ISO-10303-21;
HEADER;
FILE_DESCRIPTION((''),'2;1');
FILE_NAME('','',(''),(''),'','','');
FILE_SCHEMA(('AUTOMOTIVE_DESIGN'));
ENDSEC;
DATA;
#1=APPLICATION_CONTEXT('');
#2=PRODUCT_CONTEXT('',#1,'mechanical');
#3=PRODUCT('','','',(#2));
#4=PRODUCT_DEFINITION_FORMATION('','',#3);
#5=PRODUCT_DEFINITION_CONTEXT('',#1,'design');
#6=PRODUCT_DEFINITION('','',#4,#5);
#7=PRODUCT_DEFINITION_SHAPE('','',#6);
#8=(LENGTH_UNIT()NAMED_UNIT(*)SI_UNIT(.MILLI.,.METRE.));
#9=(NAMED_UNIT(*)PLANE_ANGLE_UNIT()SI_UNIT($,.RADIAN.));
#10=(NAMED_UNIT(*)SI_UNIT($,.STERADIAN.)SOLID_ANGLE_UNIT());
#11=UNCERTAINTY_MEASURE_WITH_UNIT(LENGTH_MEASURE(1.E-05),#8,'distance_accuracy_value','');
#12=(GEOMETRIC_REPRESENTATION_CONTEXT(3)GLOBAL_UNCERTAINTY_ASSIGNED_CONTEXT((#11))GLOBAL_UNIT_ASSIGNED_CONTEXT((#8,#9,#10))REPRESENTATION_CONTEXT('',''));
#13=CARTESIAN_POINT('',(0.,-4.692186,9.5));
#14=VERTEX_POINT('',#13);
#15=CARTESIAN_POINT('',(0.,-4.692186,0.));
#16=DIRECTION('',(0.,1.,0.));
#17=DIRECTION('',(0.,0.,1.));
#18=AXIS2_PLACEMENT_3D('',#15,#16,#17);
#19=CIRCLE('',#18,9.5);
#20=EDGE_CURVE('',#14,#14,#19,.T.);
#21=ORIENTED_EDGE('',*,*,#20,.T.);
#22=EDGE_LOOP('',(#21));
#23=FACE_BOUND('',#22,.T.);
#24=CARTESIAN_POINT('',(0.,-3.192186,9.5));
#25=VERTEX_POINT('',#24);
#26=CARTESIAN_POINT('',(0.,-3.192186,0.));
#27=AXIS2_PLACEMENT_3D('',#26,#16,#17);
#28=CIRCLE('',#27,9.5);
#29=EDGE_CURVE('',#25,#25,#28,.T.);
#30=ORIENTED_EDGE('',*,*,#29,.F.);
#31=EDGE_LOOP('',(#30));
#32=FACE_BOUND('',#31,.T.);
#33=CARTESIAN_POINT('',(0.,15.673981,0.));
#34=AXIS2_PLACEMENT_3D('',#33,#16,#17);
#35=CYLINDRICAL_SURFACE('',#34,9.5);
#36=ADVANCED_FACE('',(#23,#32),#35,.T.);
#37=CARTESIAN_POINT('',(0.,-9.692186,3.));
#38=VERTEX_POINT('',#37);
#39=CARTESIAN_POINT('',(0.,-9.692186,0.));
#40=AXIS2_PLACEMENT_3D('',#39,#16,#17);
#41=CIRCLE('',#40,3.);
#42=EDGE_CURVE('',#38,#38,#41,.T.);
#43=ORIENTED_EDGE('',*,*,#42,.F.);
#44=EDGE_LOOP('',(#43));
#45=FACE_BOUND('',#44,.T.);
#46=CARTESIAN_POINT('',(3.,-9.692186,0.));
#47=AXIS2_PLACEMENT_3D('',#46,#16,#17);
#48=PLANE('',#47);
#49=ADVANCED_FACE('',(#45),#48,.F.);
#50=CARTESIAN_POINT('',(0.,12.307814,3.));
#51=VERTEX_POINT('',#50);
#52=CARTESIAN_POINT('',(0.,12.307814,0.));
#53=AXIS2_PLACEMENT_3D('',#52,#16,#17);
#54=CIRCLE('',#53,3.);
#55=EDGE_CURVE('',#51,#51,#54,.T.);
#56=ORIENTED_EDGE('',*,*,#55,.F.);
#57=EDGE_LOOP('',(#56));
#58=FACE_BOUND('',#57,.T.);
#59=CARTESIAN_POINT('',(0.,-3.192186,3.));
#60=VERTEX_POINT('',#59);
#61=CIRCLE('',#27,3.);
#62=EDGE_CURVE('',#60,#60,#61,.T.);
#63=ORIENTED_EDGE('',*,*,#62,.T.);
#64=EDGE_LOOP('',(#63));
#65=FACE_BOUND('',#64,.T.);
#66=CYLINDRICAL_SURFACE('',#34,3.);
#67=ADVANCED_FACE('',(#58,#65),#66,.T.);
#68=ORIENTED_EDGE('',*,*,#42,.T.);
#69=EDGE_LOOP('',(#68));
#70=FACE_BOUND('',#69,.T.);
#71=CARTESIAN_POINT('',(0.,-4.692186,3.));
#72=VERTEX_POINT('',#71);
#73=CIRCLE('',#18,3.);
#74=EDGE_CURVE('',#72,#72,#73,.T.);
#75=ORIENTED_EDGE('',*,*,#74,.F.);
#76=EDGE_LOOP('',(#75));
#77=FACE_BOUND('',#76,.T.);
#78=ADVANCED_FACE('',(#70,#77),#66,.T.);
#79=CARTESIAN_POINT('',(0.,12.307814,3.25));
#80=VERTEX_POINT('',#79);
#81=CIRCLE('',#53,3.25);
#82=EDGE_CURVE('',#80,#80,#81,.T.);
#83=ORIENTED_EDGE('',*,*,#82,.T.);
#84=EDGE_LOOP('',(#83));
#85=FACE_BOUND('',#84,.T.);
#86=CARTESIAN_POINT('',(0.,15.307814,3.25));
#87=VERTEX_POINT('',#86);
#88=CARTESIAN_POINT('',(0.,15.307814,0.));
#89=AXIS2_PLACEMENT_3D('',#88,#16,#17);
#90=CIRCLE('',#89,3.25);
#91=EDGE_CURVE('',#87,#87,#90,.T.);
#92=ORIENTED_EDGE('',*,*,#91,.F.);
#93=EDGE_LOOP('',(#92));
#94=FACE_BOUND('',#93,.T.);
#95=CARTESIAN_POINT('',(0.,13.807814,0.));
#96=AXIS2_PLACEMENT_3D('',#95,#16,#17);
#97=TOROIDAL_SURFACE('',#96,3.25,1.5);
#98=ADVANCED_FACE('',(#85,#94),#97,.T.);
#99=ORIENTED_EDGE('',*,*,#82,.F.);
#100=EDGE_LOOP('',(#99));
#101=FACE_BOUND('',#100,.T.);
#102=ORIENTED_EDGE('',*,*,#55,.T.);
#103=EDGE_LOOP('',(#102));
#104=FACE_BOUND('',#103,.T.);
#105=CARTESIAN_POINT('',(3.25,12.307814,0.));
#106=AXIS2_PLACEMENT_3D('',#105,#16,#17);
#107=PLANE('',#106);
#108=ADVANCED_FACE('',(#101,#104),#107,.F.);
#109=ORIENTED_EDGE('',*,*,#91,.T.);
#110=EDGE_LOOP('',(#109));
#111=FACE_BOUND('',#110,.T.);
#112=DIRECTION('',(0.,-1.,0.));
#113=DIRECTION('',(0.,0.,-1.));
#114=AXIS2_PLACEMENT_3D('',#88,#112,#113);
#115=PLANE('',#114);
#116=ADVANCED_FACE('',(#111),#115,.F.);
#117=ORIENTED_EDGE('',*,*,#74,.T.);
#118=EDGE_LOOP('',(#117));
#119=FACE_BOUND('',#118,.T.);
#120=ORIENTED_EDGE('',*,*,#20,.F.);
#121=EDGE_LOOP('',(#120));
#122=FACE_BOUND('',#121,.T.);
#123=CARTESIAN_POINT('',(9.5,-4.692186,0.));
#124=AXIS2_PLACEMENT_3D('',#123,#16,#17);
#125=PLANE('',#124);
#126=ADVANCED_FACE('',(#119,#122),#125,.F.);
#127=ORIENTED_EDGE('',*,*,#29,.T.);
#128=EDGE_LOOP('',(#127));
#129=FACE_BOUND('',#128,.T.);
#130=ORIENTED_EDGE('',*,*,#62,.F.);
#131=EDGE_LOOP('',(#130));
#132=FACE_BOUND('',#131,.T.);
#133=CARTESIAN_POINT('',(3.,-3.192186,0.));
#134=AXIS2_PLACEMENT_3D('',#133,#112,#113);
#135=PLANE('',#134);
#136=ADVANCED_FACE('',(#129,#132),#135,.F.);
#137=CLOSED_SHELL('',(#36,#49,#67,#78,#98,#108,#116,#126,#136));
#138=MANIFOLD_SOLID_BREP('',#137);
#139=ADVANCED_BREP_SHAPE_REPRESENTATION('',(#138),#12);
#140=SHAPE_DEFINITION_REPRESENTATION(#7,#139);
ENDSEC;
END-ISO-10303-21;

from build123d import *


with BuildPart() as part:
    # Эскиз1 → Повернуть2 (revolve)
    with BuildSketch(Plane.XY, mode=Mode.PRIVATE) as revolve_2_sk:
        with BuildLine():
            Line((3, 12.30781391), (3, -3.19218609))
            Line((3, -3.19218609), (9.5, -3.19218609))
            Line((9.5, -3.19218609), (9.5, -4.69218609))
            Line((9.5, -4.69218609), (3, -4.69218609))
            Line((3, -4.69218609), (3, -9.69218609))
            Line((3, -9.69218609), (0, -9.69218609))
            Line((0, -9.69218609), (0, 15.30781391))
            Line((0, 15.30781391), (3.25, 15.30781391))
            ThreePointArc((3.25, 15.30781391), (4.75, 13.80781391), (3.25, 12.30781391))
            Line((3.25, 12.30781391), (3, 12.30781391))
        make_face()
    revolve(revolve_2_sk.sketch.rotate(Axis((0, 15.673981191, 0), (0, -1, 0)), 90), axis=Axis((0, 15.673981191, 0), (0, -1, 0)))


solid = part.part
